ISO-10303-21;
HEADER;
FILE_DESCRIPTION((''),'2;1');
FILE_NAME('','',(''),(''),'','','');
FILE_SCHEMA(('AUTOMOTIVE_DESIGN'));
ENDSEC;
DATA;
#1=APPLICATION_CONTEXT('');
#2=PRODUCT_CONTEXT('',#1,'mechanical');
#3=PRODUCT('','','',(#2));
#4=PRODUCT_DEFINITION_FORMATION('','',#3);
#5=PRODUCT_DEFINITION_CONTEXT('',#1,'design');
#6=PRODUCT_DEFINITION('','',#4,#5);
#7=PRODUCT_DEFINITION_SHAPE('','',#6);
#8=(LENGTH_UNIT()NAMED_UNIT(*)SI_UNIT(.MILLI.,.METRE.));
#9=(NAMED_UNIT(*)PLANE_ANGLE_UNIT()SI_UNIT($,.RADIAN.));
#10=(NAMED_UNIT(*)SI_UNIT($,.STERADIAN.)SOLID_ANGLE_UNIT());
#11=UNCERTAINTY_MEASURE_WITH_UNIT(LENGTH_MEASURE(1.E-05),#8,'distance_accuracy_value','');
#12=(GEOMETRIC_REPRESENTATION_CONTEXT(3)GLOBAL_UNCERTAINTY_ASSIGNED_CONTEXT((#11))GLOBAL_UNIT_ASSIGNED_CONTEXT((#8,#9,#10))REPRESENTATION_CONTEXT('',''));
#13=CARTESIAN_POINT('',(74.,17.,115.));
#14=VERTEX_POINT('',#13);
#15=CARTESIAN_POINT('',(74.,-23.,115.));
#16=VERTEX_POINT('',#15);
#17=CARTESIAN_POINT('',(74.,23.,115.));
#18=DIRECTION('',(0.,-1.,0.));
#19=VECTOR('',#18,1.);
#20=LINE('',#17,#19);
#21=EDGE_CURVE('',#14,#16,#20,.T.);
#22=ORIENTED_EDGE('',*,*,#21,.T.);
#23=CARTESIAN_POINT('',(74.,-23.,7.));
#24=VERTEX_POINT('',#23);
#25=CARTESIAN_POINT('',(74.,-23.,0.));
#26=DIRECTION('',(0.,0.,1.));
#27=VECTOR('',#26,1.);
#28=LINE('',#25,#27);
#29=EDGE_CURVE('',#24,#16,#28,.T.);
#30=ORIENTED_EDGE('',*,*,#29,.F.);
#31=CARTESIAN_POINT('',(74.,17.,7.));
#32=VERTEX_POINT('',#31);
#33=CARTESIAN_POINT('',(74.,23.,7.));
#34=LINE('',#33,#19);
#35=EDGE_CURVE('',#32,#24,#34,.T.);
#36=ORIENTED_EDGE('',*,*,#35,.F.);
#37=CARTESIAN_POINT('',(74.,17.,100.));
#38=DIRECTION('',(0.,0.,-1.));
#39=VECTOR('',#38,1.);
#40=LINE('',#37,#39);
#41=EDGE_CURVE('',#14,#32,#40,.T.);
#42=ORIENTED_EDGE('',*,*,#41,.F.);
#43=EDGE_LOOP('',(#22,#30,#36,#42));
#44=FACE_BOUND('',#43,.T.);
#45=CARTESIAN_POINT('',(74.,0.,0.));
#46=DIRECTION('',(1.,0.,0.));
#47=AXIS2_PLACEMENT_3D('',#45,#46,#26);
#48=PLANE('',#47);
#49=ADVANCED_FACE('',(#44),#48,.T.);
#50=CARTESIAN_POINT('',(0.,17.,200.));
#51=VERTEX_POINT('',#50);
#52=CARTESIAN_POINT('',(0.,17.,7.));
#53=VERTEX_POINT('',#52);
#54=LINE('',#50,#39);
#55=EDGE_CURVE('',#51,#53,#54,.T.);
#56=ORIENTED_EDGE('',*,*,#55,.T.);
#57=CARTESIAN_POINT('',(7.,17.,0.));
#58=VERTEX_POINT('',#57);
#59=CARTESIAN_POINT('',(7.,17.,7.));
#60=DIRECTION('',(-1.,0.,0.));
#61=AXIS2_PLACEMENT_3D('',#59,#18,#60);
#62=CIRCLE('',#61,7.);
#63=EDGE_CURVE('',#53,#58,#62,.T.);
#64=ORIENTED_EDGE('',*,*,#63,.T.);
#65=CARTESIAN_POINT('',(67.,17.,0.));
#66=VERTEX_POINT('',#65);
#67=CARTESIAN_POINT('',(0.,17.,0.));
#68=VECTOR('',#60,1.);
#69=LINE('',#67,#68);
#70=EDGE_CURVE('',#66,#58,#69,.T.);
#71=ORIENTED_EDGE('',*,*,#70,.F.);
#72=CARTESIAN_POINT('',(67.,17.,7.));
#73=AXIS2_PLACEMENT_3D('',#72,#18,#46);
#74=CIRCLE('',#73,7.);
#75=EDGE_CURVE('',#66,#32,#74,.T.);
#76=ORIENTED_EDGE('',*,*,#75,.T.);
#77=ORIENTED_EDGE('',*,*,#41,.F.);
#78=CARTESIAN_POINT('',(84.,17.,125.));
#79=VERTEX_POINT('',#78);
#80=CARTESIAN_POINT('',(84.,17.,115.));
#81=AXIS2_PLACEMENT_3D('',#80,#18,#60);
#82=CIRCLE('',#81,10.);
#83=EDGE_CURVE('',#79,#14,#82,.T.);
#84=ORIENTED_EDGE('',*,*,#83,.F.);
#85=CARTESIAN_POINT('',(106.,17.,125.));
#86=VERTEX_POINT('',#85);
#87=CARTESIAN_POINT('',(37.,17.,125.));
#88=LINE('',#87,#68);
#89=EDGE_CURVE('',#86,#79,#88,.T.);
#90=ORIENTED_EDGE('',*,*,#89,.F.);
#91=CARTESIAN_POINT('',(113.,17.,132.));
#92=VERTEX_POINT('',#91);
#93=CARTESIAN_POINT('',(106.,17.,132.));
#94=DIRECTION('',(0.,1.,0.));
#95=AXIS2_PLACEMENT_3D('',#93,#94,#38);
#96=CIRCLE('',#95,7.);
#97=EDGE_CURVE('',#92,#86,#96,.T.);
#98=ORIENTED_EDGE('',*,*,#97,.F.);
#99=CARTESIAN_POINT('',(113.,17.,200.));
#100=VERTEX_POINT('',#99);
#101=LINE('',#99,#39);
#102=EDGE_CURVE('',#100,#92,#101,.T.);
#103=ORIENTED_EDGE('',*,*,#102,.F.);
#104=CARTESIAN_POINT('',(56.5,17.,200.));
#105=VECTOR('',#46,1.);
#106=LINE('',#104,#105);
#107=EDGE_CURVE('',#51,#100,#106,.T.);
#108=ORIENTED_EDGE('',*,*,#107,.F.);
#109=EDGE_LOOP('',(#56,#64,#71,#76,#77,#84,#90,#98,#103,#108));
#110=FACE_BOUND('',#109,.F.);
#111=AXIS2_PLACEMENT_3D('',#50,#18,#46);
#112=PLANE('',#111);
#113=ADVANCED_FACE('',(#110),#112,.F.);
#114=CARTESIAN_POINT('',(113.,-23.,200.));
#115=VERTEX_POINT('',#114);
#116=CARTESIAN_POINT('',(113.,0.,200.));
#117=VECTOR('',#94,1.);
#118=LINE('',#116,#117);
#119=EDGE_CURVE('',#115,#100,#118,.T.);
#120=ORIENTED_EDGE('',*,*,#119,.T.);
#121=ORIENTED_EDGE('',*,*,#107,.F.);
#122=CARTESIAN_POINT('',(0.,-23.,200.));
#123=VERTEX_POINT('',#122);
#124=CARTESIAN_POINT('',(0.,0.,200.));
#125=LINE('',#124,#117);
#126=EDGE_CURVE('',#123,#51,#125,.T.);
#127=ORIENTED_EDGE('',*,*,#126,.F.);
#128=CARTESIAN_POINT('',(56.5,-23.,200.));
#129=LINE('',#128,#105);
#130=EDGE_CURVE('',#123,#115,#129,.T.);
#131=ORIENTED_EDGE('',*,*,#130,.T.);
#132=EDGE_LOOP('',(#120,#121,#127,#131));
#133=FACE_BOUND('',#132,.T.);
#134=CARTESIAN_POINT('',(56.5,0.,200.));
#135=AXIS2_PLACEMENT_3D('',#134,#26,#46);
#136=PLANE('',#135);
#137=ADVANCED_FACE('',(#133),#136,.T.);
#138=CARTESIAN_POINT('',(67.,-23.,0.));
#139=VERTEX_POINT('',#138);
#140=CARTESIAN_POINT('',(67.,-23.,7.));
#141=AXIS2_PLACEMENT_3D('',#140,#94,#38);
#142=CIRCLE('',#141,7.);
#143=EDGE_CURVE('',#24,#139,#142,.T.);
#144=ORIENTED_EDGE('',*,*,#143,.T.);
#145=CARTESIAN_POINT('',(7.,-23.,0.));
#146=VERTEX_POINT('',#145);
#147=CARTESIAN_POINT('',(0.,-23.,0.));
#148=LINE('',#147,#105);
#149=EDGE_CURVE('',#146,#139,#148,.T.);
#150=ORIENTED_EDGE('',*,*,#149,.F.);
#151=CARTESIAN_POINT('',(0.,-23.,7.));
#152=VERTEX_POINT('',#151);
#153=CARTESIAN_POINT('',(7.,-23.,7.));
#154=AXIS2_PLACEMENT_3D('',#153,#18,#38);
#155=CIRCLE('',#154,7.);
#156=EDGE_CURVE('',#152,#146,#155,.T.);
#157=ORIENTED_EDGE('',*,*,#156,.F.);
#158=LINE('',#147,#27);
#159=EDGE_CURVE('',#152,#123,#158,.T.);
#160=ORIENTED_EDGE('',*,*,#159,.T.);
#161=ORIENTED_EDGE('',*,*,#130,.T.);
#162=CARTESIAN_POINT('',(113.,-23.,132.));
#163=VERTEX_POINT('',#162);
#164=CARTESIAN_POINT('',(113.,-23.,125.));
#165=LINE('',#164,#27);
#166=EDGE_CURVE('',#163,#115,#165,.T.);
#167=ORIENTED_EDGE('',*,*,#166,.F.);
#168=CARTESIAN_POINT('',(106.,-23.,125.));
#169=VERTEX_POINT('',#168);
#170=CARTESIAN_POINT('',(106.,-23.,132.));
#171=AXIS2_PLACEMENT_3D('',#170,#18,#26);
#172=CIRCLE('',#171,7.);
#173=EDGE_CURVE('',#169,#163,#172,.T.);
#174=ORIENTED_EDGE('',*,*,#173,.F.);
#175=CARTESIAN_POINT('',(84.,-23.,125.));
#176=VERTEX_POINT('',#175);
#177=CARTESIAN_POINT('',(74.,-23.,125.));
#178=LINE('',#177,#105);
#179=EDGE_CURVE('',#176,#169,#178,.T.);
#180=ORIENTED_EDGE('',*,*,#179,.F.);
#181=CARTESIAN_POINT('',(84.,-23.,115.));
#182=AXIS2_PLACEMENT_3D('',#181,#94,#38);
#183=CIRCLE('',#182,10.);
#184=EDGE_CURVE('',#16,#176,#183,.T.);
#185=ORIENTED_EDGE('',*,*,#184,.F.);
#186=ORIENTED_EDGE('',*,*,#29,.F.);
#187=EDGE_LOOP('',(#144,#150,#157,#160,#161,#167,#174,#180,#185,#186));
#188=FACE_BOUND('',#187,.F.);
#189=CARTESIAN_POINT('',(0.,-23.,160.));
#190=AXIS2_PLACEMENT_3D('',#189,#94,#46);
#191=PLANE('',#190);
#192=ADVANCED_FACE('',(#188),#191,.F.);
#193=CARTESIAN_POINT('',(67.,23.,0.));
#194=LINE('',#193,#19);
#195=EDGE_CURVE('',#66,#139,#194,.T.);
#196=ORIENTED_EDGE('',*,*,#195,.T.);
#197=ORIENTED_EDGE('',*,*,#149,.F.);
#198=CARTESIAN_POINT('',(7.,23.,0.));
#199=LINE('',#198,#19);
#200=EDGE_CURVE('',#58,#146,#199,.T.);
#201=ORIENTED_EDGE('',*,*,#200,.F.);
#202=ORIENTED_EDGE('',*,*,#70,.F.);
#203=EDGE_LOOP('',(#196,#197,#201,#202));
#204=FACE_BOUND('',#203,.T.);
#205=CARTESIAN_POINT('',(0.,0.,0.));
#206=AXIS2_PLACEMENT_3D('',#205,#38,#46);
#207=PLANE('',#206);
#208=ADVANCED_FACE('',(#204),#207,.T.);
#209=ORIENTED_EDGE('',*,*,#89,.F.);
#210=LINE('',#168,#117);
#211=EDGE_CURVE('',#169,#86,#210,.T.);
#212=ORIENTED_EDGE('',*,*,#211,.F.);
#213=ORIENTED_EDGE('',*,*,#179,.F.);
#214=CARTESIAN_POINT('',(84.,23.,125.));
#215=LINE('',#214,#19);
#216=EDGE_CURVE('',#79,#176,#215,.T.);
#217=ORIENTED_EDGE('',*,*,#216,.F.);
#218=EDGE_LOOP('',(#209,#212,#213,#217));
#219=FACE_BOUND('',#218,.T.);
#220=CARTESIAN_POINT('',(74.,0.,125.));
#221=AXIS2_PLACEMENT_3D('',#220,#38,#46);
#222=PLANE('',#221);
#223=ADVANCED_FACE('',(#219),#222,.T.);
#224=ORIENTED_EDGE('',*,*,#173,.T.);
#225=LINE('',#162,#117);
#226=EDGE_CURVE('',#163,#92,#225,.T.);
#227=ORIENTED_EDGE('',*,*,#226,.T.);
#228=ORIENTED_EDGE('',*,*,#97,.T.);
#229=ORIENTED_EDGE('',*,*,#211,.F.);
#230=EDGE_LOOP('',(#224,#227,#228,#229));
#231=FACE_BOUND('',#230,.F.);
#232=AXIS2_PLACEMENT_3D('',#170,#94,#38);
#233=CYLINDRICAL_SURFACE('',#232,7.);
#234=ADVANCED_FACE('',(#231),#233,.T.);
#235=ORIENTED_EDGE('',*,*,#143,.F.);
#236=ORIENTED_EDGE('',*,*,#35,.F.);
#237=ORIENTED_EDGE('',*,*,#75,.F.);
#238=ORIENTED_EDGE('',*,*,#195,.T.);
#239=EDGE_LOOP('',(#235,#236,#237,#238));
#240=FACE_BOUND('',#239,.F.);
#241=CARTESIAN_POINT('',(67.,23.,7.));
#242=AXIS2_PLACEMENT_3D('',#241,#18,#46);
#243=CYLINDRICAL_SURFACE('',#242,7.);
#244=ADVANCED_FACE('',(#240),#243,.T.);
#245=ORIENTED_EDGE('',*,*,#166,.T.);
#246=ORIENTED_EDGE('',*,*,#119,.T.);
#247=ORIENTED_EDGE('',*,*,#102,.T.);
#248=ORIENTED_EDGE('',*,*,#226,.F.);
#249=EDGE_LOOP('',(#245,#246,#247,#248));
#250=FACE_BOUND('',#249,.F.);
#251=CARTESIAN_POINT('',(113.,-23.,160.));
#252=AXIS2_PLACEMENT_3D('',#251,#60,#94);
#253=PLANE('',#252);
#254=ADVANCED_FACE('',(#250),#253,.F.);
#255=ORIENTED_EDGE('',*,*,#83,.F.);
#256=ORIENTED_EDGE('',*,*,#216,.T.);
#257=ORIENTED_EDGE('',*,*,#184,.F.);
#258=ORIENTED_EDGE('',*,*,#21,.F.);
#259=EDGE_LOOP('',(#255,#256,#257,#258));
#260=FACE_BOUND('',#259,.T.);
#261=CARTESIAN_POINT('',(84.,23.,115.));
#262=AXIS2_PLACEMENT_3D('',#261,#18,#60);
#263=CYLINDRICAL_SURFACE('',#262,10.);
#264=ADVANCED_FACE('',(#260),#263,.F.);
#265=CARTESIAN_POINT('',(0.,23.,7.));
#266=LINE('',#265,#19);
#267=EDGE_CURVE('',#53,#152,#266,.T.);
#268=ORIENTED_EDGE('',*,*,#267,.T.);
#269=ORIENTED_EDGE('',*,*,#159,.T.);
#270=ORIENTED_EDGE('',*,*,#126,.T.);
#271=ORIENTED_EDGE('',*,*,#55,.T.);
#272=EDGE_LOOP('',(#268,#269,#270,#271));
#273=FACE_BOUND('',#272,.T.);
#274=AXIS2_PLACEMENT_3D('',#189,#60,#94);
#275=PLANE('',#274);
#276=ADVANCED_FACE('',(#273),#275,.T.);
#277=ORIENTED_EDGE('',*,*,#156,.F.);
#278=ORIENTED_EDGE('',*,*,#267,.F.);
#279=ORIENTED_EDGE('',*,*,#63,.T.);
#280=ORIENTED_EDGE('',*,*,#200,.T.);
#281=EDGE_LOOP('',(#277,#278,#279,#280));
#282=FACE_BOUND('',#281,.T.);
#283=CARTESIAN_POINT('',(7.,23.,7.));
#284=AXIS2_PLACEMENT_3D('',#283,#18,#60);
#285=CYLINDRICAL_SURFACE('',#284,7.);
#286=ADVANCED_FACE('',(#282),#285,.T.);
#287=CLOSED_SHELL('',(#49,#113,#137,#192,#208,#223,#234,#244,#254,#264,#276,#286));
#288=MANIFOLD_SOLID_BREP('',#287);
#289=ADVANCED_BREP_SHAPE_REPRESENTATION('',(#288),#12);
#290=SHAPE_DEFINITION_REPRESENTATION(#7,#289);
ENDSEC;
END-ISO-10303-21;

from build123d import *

# Parameters (mm, degrees)
F1_DEPTH = 23
F2_W     = 113
F2_H     = 46
F3_DEPTH = 40
F4_R     = 7
F5_R     = 10
F6_W     = 113
F6_H     = 6
F7_DEPTH = 200.001


with BuildPart() as f1:
    # F0 (on Front) → F1 (new body, symmetric)
    with BuildSketch(Plane.XZ):
        Polygon((0, 160), (0, 0), (74, 0), (74, 125), (113, 125), (113, 160), align=None)
    extrude(amount=F1_DEPTH, both=True)

    # F2 (on face) → F3 (join)
    with BuildSketch(Plane.XY.offset(160)):
        with Locations((56.5, 0)):
            Rectangle(F2_W, F2_H)
    extrude(amount=F3_DEPTH)

    # F4
    f4_edges = [f1.edges().sort_by_distance(p)[0] for p in [
        (74, 0, 0),
        (0, 0, 0),
        (113, 0, 125),
    ]]
    fillet(f4_edges, radius=F4_R)

    # F5
    f5_edges = [f1.edges().sort_by_distance(p)[0] for p in [
        (74, 0, 125),
    ]]
    fillet(f5_edges, radius=F5_R)

    # F6 (on face) → F7 (cut, through all)
    with BuildSketch(Plane.XY.offset(200)):
        with Locations((56.5, 20)):
            Rectangle(F6_W, F6_H)
    extrude(amount=-F7_DEPTH, mode=Mode.SUBTRACT)


solid = f1.part
